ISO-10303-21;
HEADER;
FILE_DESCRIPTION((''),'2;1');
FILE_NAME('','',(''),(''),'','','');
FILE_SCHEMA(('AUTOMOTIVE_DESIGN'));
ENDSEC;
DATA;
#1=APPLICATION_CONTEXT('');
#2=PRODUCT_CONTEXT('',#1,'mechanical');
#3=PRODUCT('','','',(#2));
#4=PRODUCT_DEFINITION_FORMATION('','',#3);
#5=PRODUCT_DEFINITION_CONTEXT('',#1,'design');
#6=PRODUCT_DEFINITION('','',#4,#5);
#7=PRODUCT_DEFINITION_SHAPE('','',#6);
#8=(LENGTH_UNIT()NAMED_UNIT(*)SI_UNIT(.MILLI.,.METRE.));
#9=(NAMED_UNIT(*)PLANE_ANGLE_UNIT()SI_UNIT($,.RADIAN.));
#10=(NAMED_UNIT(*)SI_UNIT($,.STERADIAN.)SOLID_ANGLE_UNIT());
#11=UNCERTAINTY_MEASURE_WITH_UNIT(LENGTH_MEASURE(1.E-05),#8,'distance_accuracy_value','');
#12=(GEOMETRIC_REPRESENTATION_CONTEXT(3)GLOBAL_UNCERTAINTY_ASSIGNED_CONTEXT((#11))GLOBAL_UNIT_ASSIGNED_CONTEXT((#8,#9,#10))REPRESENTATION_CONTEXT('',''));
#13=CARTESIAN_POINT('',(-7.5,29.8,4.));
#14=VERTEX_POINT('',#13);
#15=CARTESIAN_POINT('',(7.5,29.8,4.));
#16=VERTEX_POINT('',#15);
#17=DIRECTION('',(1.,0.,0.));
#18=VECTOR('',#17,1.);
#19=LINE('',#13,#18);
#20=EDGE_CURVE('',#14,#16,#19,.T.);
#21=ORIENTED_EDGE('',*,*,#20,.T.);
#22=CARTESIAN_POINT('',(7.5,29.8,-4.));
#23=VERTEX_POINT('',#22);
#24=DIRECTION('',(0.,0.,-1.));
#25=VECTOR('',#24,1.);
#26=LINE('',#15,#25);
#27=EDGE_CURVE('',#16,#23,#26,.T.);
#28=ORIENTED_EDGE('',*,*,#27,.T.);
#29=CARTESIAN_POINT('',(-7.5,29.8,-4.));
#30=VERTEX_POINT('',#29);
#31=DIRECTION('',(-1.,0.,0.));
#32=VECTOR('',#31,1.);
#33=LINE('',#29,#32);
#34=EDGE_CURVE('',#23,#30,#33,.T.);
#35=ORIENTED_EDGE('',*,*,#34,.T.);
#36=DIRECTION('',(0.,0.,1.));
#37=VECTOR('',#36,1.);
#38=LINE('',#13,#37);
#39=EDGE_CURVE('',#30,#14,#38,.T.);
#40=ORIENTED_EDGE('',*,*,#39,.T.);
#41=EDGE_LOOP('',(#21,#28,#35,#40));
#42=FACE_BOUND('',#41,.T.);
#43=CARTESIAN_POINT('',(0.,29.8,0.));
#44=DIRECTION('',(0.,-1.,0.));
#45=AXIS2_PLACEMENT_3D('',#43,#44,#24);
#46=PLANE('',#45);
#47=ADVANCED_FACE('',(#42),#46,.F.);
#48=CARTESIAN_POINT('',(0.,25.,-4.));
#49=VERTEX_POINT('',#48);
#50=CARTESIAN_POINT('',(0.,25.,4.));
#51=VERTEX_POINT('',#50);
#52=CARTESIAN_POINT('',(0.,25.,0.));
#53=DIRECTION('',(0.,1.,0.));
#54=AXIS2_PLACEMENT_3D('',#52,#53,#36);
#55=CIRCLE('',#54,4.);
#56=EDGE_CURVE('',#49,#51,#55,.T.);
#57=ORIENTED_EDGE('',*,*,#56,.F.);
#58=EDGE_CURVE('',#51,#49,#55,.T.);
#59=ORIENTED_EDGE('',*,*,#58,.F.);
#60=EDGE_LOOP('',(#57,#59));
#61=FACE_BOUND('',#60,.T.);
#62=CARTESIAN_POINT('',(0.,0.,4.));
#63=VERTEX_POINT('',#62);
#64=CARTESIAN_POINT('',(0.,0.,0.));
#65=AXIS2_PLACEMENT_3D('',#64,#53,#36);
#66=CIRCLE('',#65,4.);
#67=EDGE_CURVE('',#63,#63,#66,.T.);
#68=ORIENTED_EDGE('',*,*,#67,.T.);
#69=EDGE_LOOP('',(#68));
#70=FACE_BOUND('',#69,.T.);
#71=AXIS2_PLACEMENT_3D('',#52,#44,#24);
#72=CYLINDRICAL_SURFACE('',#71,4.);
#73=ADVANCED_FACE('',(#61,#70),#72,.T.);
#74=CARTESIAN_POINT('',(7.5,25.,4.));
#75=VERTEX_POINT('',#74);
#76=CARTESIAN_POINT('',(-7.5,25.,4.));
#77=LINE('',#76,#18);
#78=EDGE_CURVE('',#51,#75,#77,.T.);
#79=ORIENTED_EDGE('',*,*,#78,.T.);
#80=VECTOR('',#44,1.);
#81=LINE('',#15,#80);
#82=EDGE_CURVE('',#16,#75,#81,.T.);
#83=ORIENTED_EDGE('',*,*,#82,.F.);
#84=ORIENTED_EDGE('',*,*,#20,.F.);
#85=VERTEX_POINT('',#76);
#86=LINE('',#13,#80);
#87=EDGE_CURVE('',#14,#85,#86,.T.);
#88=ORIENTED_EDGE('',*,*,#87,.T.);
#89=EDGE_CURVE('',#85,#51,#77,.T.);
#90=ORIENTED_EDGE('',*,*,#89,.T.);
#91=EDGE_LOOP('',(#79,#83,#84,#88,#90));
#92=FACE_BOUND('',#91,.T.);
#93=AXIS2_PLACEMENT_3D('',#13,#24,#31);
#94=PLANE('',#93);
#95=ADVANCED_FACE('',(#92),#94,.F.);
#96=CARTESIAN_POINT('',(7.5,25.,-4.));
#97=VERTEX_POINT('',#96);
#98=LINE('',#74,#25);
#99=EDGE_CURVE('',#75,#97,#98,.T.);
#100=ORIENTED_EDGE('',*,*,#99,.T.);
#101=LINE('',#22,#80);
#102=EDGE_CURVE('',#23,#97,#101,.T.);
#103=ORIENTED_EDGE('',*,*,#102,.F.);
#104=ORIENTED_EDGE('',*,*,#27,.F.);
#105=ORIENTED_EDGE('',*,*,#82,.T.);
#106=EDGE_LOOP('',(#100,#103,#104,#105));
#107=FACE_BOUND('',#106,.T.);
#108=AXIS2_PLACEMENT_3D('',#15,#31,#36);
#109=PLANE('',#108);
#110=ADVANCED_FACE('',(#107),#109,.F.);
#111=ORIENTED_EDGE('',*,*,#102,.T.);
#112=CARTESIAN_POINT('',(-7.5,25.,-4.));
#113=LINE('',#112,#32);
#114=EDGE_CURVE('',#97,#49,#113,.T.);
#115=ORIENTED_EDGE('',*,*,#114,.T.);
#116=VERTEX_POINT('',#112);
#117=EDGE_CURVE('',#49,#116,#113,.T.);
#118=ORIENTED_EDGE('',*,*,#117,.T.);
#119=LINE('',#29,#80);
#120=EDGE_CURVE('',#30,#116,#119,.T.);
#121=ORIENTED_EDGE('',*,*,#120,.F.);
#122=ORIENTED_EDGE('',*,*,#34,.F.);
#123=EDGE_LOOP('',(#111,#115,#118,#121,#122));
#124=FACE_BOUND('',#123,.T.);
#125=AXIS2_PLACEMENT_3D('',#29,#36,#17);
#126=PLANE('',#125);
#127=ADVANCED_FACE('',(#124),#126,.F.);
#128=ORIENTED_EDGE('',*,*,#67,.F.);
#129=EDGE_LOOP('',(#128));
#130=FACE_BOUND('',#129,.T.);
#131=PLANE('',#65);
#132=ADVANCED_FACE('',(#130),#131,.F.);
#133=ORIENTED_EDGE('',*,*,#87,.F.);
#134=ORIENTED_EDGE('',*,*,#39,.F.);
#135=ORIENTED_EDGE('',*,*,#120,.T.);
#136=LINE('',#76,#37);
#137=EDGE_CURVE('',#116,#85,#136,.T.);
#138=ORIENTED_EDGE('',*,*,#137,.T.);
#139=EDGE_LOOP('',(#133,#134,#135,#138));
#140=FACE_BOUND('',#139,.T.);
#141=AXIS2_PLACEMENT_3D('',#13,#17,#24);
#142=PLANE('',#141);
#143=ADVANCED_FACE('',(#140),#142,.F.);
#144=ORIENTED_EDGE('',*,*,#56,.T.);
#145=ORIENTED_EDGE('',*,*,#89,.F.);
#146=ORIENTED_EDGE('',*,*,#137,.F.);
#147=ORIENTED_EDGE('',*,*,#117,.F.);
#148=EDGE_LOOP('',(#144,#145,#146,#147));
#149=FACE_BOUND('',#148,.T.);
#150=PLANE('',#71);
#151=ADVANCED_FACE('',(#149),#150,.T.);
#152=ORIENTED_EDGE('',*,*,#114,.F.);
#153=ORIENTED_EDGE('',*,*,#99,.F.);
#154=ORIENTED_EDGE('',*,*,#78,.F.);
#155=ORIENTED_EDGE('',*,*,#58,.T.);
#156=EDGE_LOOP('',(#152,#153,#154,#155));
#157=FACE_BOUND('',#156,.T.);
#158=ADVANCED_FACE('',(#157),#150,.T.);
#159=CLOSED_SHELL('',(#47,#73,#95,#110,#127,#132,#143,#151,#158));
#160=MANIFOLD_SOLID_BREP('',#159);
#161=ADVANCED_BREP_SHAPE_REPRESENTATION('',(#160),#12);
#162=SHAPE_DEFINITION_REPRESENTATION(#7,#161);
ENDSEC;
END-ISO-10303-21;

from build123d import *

# Parameters (mm, degrees)
CROQUIS1_R              = 4
SALIENTE_EXTRUIR1_DEPTH = 25
CROQUIS2_W              = 15
CROQUIS2_H              = 8
SALIENTE_EXTRUIR2_DEPTH = 4.8


with BuildPart() as part:
    # Croquis1 → Saliente-Extruir1 (new body)
    with BuildSketch(Plane(origin=(0, 0, 0), x_dir=(1, 0, 0), z_dir=(0, 1, 0))):
        Circle(CROQUIS1_R)
    extrude(amount=SALIENTE_EXTRUIR1_DEPTH)

    # Croquis2 → Saliente-Extruir2 (add)
    with BuildSketch(Plane(origin=(0, 25, 0), x_dir=(1, 0, 0), z_dir=(0, 1, 0))):
        Rectangle(CROQUIS2_W, CROQUIS2_H)
    extrude(amount=SALIENTE_EXTRUIR2_DEPTH)


solid = part.part
